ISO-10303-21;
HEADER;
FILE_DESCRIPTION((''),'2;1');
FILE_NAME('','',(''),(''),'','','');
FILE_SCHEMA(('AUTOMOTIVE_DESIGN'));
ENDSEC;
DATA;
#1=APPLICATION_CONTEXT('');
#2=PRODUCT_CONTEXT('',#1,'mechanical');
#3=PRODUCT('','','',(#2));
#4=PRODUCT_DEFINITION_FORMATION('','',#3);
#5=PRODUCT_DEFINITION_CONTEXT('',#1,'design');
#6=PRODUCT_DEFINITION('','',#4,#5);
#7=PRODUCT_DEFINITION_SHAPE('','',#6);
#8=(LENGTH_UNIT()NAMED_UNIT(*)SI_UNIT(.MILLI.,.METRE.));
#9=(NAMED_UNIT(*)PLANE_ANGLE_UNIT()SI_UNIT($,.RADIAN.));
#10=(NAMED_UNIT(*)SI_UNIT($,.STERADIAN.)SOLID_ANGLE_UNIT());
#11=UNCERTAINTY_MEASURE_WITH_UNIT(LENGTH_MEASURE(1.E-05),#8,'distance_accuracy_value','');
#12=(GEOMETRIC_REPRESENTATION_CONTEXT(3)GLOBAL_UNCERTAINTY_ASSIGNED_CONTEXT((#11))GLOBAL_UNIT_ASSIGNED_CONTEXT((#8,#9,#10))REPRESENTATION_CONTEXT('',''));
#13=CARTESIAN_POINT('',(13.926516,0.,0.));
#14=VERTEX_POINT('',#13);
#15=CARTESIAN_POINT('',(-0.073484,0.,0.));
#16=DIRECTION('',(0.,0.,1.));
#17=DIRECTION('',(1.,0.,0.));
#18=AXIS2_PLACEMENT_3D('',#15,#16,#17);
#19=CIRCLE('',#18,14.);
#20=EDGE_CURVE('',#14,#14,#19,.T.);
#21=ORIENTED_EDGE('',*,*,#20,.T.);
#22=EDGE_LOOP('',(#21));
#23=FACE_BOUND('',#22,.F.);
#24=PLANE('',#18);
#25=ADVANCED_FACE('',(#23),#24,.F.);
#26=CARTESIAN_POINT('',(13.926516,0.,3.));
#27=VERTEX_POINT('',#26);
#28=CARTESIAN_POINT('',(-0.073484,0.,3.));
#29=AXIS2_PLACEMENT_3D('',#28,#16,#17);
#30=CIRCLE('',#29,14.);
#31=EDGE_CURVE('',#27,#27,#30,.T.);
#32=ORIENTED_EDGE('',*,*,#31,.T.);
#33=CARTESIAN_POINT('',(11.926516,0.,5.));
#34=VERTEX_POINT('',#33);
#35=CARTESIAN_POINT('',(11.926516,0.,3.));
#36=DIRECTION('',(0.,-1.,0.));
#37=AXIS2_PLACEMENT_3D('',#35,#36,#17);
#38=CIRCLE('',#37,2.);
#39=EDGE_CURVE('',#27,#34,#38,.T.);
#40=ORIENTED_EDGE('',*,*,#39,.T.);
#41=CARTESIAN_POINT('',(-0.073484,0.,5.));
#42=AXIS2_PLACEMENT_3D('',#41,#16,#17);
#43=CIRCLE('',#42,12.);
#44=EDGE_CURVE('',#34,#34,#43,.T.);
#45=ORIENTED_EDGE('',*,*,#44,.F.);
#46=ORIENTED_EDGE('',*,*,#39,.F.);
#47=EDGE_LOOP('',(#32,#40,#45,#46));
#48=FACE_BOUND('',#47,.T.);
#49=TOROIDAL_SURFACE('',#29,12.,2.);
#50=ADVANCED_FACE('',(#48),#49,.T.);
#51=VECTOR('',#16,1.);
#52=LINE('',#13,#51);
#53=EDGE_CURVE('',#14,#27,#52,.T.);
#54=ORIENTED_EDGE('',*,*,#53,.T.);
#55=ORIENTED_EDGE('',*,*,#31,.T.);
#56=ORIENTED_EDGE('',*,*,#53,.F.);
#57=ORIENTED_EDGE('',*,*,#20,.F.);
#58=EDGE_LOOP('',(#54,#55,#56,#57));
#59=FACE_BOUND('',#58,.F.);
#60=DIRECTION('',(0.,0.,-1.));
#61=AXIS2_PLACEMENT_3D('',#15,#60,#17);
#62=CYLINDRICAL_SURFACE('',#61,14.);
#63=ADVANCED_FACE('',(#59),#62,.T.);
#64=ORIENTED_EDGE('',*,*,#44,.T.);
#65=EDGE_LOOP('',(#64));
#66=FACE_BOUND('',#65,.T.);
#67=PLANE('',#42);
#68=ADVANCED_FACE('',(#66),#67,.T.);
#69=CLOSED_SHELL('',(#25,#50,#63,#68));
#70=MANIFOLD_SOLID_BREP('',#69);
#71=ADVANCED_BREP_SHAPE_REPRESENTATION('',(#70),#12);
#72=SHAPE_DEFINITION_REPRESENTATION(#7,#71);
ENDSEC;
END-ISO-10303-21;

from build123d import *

# Parameters (mm, degrees)
SKETCH_R  = 14
PAD_DEPTH = 5
FILLET_R  = 2


with BuildPart() as part:
    # Sketch → Pad (new body)
    with BuildSketch(Plane.XY):
        with Locations((-0.073484, 0)):
            Circle(SKETCH_R)
    extrude(amount=PAD_DEPTH)

    # Fillet
    fillet_edges = [part.edges().sort_by_distance(p)[0] for p in [
        (-14.073484, 0, 5),
    ]]
    fillet(fillet_edges, radius=FILLET_R)


solid = part.part
